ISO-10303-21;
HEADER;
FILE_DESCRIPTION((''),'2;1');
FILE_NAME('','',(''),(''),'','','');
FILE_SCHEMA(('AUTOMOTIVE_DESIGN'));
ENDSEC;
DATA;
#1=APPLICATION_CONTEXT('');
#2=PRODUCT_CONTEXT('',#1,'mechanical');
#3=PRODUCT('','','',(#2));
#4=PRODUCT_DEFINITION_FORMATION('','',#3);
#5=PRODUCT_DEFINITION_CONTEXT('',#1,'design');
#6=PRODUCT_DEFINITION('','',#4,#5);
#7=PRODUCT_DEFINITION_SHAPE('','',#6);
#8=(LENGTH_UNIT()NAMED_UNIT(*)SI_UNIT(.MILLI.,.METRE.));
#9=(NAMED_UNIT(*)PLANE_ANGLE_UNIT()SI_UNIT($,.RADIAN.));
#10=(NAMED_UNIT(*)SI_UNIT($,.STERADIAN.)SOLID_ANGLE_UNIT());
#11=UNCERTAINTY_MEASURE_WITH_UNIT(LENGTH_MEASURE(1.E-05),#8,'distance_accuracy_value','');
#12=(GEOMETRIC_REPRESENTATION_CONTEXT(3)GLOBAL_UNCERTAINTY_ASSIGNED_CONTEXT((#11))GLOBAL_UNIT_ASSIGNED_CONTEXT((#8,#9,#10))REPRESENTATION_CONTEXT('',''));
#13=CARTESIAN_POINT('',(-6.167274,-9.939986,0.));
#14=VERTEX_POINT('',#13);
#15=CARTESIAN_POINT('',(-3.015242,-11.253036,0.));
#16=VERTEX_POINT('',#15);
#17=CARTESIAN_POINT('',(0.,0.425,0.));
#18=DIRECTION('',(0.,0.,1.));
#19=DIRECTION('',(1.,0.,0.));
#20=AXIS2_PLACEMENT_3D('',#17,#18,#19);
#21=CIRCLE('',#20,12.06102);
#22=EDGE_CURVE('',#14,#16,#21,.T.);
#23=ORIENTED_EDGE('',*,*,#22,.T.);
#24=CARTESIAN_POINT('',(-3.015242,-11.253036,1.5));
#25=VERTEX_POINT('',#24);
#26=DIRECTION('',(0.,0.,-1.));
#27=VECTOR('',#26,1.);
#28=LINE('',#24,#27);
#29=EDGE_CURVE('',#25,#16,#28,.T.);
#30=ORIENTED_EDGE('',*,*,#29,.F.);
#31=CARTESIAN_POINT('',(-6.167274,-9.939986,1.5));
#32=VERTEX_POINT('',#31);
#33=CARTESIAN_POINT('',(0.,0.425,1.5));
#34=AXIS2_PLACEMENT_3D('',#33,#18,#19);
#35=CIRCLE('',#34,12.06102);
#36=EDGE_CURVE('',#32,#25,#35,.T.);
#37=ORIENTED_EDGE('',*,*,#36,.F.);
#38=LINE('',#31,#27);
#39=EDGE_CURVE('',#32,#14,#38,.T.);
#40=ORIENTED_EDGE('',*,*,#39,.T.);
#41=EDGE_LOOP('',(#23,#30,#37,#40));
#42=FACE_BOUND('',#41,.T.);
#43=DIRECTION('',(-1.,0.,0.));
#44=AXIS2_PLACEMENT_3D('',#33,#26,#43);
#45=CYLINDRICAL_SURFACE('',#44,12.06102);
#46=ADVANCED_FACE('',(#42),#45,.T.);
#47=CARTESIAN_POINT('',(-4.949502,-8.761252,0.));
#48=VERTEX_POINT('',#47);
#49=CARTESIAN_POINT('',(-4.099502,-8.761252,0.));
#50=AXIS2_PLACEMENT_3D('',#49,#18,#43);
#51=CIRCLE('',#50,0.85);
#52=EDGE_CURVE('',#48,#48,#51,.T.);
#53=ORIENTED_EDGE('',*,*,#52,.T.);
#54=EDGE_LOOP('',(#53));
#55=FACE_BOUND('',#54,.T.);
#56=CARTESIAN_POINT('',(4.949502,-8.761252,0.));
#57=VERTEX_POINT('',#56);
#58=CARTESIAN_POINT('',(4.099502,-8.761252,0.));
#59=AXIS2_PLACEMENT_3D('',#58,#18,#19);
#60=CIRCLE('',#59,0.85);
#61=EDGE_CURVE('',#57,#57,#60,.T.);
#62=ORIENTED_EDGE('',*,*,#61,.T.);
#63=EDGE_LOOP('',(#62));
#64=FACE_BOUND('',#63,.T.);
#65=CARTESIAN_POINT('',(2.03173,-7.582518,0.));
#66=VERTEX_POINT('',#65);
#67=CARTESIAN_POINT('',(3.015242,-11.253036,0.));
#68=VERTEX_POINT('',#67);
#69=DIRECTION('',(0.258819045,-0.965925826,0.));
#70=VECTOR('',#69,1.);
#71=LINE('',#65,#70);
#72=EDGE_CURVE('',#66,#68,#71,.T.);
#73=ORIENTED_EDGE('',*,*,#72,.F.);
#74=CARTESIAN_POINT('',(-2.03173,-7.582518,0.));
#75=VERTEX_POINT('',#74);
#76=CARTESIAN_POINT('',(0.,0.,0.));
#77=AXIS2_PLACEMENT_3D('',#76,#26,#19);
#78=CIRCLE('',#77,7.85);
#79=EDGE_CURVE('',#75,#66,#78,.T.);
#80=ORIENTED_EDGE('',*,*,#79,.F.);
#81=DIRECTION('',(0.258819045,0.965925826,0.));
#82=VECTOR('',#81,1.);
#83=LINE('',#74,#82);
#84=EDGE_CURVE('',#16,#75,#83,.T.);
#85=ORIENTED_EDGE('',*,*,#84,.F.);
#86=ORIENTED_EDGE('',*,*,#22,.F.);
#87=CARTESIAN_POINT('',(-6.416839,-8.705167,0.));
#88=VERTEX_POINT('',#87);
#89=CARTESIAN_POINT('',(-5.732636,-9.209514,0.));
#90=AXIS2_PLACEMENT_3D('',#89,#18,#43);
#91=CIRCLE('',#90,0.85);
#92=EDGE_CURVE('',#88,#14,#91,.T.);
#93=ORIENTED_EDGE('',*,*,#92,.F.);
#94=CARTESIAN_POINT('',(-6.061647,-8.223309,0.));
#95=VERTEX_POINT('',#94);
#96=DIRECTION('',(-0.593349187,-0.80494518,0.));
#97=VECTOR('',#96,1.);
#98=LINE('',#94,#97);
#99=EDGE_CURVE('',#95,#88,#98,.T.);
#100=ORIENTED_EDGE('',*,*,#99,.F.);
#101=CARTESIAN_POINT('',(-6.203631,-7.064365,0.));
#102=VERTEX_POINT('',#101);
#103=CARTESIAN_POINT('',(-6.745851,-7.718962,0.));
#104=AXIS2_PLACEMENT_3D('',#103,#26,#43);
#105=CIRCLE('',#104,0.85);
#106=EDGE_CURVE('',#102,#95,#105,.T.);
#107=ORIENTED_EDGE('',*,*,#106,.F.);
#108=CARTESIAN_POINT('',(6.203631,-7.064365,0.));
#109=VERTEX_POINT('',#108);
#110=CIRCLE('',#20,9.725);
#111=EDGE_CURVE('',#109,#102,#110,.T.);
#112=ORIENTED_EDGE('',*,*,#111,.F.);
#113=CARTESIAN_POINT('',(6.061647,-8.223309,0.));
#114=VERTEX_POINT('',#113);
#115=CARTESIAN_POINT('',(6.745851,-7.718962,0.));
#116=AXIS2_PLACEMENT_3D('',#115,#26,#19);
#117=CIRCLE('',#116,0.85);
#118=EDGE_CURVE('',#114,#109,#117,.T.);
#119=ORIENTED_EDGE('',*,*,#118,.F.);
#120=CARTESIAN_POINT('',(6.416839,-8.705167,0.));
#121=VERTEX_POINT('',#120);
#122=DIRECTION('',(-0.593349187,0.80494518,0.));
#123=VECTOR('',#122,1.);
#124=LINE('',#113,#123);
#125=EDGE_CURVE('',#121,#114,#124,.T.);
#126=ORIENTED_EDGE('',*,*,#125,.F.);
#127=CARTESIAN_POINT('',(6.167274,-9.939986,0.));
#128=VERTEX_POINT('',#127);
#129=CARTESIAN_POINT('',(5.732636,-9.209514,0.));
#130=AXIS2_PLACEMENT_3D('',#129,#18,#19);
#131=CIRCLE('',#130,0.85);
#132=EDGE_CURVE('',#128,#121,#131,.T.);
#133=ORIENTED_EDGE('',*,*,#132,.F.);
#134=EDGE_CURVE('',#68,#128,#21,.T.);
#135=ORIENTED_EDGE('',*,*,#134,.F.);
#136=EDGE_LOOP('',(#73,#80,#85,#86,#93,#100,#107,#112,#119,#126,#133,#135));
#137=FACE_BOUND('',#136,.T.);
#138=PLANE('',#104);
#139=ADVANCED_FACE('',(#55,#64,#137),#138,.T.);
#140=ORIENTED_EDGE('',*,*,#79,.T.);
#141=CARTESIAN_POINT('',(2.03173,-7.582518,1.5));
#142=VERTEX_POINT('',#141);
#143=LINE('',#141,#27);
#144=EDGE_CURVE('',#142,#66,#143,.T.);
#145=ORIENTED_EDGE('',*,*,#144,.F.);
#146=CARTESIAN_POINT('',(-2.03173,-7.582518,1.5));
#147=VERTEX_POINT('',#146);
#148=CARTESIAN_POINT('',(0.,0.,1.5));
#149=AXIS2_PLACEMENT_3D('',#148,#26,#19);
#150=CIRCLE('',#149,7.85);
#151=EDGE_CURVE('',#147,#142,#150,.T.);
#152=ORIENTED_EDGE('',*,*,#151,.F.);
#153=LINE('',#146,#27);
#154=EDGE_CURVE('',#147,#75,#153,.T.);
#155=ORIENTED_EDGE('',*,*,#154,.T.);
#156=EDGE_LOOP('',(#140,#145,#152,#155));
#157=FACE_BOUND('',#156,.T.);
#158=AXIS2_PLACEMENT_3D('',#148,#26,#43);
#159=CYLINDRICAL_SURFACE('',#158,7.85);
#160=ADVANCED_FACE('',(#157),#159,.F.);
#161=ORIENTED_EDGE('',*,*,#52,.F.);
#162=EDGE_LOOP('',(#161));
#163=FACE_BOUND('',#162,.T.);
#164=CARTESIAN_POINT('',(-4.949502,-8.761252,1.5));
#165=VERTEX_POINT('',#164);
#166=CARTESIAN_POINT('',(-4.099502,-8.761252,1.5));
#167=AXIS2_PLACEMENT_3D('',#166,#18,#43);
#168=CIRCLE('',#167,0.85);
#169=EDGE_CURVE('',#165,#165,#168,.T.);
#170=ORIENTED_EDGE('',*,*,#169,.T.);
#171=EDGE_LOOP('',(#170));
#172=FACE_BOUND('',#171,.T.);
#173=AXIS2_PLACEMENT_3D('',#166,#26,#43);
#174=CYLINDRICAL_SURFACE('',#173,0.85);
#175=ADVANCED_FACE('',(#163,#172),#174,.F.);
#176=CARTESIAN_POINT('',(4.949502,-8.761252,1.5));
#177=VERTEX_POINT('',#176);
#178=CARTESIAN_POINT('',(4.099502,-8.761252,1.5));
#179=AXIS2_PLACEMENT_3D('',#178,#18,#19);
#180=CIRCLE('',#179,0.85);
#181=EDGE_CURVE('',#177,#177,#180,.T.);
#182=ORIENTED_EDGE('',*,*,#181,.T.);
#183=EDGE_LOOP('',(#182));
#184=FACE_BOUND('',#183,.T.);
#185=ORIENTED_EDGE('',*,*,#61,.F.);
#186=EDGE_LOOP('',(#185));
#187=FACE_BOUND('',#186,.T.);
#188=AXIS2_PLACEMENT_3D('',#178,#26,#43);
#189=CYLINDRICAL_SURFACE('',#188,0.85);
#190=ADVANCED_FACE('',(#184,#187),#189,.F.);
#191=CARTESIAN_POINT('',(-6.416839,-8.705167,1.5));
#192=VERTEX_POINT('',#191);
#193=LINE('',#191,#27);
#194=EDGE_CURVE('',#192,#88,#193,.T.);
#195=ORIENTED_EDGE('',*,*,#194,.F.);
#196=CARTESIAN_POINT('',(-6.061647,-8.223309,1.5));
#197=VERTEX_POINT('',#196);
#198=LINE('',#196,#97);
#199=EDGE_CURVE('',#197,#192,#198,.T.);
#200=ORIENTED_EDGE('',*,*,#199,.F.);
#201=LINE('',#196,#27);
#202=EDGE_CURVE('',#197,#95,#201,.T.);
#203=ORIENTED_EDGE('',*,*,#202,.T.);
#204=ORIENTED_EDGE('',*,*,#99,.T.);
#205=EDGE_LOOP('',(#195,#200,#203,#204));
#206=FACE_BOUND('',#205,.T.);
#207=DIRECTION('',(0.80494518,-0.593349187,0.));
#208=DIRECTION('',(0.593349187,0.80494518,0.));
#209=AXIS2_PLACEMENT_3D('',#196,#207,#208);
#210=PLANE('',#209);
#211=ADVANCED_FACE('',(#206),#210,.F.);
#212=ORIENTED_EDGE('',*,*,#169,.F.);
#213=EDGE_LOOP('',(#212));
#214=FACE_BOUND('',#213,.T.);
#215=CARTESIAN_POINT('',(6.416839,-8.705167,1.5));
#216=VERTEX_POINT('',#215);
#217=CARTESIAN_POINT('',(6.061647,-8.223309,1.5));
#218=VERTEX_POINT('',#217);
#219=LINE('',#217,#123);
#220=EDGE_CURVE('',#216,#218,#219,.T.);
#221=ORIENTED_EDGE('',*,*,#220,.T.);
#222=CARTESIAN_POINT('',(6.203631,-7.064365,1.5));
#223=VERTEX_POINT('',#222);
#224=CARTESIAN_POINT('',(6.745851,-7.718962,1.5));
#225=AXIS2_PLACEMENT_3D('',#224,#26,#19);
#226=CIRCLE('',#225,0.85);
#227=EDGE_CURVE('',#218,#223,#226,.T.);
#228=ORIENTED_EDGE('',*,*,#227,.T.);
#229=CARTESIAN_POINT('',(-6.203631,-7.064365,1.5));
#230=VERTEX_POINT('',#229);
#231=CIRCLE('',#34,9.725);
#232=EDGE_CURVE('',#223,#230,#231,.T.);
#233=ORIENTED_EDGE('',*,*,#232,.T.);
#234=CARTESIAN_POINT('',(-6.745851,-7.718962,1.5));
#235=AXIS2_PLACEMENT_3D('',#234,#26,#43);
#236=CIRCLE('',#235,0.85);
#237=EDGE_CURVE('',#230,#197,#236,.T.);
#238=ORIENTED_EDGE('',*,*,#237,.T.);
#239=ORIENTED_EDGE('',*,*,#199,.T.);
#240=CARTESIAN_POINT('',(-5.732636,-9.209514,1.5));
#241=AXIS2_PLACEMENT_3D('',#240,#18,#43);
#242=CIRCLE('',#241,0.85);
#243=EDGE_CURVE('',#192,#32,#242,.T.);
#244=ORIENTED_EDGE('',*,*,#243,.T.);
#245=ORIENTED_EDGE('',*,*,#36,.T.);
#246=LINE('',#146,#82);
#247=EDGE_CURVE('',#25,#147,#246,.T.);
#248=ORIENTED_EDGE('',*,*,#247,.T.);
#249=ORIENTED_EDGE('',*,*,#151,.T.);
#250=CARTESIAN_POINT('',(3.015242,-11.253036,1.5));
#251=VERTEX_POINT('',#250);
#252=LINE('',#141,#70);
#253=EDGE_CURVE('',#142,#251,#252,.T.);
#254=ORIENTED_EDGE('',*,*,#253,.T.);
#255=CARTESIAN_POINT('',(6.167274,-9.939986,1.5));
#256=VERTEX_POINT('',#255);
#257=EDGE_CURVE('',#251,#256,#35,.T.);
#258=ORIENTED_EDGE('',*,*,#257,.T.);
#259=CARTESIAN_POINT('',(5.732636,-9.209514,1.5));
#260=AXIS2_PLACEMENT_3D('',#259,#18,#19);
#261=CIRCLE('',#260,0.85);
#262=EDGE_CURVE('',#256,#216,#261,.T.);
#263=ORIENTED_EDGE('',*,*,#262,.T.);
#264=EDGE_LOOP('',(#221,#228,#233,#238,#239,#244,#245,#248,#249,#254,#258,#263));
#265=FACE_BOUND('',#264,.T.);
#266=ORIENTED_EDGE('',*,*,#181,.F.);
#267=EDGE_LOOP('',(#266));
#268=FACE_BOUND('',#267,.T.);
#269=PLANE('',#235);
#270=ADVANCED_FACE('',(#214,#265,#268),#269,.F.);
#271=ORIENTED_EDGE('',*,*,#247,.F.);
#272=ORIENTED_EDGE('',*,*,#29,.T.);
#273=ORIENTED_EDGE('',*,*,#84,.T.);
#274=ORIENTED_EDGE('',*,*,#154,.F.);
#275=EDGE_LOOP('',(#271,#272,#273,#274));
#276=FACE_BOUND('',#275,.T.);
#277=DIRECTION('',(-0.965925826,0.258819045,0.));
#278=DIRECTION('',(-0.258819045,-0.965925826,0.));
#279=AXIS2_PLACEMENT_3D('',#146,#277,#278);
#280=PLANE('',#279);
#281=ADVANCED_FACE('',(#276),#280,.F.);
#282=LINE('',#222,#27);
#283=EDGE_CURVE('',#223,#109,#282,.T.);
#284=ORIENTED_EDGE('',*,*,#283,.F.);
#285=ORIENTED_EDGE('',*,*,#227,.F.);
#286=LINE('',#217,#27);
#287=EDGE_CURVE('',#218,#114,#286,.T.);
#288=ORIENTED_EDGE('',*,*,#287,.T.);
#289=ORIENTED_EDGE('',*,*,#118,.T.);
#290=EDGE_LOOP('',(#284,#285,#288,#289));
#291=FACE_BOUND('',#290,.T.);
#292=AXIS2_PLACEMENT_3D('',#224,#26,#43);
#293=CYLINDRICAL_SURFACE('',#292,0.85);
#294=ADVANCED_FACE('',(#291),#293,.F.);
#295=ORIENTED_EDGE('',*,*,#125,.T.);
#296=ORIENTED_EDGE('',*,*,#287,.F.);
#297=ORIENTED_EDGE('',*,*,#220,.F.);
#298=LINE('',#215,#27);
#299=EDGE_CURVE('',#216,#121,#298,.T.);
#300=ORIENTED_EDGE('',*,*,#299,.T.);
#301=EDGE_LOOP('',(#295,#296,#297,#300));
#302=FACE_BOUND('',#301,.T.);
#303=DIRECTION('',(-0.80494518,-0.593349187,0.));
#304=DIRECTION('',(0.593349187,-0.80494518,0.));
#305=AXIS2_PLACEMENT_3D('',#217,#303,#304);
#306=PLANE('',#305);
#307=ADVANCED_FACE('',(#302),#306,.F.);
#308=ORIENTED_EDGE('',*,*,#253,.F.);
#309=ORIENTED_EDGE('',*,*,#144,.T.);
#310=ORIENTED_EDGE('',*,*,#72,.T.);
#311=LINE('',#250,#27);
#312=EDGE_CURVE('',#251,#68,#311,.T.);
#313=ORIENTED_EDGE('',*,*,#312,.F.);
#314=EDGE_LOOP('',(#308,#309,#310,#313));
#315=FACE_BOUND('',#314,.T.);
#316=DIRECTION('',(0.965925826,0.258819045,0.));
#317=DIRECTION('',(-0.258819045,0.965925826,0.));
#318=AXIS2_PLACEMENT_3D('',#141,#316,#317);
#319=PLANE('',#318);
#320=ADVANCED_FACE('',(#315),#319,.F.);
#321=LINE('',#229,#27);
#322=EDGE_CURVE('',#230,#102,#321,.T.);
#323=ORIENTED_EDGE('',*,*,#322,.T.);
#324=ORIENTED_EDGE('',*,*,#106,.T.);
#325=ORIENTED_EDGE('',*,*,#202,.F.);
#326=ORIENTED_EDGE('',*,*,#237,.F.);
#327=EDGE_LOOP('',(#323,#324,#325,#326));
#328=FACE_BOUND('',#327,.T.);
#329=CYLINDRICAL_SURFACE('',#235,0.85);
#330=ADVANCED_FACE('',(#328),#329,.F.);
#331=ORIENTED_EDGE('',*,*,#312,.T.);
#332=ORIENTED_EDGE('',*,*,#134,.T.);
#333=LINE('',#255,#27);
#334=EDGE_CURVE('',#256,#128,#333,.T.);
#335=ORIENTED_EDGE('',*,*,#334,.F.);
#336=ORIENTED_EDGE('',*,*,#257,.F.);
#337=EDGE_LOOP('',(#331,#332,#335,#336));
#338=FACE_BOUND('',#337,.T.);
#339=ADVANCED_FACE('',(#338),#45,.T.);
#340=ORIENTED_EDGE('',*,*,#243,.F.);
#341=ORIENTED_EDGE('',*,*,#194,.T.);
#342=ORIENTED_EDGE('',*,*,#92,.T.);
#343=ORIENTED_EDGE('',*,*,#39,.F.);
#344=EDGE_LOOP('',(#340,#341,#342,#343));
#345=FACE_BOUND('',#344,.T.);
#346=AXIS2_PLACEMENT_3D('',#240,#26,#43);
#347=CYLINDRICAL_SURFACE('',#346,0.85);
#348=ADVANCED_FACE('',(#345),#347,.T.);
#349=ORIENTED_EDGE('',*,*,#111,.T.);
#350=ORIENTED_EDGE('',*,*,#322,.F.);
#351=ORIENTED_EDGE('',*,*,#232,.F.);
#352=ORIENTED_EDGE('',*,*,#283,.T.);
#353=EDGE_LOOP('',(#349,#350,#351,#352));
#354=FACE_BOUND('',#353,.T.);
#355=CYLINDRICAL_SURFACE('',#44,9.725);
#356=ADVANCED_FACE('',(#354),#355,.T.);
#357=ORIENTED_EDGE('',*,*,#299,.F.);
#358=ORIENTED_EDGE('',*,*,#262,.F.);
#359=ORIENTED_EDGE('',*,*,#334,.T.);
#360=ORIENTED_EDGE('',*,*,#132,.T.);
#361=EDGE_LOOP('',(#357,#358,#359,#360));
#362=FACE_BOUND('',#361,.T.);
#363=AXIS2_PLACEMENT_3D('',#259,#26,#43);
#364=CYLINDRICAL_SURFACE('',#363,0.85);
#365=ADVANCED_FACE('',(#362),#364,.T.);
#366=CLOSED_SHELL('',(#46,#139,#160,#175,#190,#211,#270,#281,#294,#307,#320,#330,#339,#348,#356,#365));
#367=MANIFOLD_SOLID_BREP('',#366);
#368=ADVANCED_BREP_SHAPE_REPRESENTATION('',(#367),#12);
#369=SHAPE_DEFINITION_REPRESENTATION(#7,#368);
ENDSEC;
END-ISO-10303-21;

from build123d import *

# Parameters (mm, degrees)
ESQUISSE1_R          = 0.85
BASE_EXTRUSION_DEPTH = 1.5


with BuildPart() as part:
    # Esquisse1 → Base-Extrusion (new body)
    with BuildSketch(Plane.XY):
        with BuildLine():
            Line((6.061647338, -8.22330916), (6.416839232, -8.705167076))
            ThreePointArc((6.416839232, -8.705167076), (6.565790184, -9.377899816), (6.167274285, -9.939985933))
            ThreePointArc((6.167274285, -9.939985933), (4.637960306, -10.708621589), (3.015241875, -11.253035876))
            Line((3.015241875, -11.253035876), (2.031729504, -7.582517736))
            ThreePointArc((2.031729504, -7.582517736), (0, 7.85), (-2.031729504, -7.582517736))
            Line((-2.031729504, -7.582517736), (-3.015241875, -11.253035876))
            ThreePointArc((-3.015241875, -11.253035876), (-4.637960306, -10.708621589), (-6.167274285, -9.939985933))
            ThreePointArc((-6.167274285, -9.939985933), (-6.565790184, -9.377899816), (-6.416839232, -8.705167076))
            Line((-6.416839232, -8.705167076), (-6.061647338, -8.22330916))
            ThreePointArc((-6.061647338, -8.22330916), (-5.902158651, -7.61560057), (-6.20363106, -7.064364905))
            ThreePointArc((-6.20363106, -7.064364905), (0, 10.15), (6.20363106, -7.064364905))
            ThreePointArc((6.20363106, -7.064364905), (5.902158651, -7.61560057), (6.061647338, -8.22330916))
        make_face()
        with Locations((4.099501894, -8.761251835)):
            Circle(ESQUISSE1_R, mode=Mode.SUBTRACT)
        with Locations(Location((-4.099501894, -8.761251835, 0), (0, 0, 180))):
            Circle(ESQUISSE1_R, mode=Mode.SUBTRACT)
    extrude(amount=BASE_EXTRUSION_DEPTH)


solid = part.part
